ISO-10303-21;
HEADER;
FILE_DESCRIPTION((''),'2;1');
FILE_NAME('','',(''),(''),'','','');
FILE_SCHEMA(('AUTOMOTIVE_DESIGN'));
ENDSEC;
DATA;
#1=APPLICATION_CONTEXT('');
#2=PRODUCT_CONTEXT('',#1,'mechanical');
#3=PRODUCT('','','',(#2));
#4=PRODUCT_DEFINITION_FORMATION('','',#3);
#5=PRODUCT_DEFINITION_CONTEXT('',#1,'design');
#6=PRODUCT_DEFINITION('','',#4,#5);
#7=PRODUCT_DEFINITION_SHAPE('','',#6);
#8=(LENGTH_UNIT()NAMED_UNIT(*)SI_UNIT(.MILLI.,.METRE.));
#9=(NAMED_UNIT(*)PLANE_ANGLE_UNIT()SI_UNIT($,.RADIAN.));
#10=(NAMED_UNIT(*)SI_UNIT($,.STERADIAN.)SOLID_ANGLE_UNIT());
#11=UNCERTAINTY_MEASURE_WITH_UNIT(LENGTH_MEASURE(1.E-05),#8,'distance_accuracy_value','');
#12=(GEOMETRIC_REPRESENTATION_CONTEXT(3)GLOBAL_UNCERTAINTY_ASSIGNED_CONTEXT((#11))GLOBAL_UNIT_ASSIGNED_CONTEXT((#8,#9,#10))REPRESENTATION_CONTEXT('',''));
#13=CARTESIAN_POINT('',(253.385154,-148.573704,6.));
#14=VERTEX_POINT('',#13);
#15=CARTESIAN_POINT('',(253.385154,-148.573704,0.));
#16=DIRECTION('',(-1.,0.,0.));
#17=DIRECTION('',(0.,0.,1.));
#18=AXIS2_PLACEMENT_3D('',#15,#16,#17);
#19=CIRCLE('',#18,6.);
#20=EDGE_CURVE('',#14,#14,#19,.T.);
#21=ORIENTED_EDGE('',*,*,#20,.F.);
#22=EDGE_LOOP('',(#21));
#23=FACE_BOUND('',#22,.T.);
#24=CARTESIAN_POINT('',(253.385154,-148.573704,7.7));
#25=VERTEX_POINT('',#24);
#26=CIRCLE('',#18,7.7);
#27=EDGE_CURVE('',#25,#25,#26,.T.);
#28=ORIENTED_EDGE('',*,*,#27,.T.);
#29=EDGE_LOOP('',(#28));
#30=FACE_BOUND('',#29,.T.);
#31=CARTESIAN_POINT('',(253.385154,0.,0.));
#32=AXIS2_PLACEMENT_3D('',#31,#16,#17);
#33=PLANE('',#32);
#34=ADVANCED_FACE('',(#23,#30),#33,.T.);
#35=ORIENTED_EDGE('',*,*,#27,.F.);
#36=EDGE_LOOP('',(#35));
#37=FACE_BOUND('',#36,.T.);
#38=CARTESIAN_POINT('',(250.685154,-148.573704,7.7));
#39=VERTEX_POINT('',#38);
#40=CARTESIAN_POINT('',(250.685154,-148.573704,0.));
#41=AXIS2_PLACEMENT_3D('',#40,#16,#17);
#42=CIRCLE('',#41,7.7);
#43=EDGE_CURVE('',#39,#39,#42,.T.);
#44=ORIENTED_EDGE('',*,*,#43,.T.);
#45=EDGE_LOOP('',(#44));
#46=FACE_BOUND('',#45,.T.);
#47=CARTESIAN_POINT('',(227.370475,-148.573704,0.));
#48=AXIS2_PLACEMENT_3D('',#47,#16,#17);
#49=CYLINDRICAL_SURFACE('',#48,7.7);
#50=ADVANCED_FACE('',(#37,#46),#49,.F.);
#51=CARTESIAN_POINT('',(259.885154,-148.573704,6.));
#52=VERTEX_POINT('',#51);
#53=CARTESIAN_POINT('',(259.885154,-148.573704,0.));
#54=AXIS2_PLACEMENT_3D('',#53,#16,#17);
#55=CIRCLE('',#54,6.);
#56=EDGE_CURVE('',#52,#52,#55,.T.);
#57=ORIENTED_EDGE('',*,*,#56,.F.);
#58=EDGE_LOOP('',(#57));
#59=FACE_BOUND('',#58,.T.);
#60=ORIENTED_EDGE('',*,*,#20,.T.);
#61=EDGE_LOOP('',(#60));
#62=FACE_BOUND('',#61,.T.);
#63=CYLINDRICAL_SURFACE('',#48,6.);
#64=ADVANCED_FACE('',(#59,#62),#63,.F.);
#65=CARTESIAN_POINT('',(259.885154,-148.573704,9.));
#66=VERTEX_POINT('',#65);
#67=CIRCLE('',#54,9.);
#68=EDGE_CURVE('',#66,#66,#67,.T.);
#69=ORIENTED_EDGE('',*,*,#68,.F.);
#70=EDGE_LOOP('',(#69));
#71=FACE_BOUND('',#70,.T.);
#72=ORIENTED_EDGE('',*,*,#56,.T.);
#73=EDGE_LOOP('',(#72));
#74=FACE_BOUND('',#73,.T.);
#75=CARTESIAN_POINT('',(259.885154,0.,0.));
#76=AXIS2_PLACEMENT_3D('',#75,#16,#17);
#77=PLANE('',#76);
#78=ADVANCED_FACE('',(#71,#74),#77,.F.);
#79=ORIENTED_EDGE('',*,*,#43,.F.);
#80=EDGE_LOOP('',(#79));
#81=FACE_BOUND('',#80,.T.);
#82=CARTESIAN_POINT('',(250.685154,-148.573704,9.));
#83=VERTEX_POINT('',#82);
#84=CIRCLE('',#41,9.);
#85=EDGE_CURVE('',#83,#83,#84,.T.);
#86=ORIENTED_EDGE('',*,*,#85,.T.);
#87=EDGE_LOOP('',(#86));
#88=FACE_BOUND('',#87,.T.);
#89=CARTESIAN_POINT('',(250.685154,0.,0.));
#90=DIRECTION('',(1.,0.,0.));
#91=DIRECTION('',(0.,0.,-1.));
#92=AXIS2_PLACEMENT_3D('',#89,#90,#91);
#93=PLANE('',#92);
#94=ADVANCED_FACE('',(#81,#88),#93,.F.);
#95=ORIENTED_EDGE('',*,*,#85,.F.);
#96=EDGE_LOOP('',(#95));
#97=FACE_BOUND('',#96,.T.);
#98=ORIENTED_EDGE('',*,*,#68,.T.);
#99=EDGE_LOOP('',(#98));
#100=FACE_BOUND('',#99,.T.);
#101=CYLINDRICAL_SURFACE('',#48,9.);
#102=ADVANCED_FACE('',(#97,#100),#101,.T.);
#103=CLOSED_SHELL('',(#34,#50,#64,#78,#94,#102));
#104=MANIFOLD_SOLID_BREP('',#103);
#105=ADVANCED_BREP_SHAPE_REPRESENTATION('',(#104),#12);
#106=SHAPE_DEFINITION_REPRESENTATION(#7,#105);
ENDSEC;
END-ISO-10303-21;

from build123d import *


with BuildPart() as part:
    # Sketch3 → Revolve1 (revolve)
    with BuildSketch(Plane.XY):
        Polygon((253.385153788, -140.873704322), (253.385153788, -142.573704322), (259.885153788, -142.573704322), (259.885153788, -140.857236748), (259.885153788, -139.573704322), (250.685153788, -139.573704322), (250.685153788, -140.873704322), align=None)
    revolve(axis=Axis((227.370475166, -148.573704322, 0), (1, 0, 0)))


solid = part.part
